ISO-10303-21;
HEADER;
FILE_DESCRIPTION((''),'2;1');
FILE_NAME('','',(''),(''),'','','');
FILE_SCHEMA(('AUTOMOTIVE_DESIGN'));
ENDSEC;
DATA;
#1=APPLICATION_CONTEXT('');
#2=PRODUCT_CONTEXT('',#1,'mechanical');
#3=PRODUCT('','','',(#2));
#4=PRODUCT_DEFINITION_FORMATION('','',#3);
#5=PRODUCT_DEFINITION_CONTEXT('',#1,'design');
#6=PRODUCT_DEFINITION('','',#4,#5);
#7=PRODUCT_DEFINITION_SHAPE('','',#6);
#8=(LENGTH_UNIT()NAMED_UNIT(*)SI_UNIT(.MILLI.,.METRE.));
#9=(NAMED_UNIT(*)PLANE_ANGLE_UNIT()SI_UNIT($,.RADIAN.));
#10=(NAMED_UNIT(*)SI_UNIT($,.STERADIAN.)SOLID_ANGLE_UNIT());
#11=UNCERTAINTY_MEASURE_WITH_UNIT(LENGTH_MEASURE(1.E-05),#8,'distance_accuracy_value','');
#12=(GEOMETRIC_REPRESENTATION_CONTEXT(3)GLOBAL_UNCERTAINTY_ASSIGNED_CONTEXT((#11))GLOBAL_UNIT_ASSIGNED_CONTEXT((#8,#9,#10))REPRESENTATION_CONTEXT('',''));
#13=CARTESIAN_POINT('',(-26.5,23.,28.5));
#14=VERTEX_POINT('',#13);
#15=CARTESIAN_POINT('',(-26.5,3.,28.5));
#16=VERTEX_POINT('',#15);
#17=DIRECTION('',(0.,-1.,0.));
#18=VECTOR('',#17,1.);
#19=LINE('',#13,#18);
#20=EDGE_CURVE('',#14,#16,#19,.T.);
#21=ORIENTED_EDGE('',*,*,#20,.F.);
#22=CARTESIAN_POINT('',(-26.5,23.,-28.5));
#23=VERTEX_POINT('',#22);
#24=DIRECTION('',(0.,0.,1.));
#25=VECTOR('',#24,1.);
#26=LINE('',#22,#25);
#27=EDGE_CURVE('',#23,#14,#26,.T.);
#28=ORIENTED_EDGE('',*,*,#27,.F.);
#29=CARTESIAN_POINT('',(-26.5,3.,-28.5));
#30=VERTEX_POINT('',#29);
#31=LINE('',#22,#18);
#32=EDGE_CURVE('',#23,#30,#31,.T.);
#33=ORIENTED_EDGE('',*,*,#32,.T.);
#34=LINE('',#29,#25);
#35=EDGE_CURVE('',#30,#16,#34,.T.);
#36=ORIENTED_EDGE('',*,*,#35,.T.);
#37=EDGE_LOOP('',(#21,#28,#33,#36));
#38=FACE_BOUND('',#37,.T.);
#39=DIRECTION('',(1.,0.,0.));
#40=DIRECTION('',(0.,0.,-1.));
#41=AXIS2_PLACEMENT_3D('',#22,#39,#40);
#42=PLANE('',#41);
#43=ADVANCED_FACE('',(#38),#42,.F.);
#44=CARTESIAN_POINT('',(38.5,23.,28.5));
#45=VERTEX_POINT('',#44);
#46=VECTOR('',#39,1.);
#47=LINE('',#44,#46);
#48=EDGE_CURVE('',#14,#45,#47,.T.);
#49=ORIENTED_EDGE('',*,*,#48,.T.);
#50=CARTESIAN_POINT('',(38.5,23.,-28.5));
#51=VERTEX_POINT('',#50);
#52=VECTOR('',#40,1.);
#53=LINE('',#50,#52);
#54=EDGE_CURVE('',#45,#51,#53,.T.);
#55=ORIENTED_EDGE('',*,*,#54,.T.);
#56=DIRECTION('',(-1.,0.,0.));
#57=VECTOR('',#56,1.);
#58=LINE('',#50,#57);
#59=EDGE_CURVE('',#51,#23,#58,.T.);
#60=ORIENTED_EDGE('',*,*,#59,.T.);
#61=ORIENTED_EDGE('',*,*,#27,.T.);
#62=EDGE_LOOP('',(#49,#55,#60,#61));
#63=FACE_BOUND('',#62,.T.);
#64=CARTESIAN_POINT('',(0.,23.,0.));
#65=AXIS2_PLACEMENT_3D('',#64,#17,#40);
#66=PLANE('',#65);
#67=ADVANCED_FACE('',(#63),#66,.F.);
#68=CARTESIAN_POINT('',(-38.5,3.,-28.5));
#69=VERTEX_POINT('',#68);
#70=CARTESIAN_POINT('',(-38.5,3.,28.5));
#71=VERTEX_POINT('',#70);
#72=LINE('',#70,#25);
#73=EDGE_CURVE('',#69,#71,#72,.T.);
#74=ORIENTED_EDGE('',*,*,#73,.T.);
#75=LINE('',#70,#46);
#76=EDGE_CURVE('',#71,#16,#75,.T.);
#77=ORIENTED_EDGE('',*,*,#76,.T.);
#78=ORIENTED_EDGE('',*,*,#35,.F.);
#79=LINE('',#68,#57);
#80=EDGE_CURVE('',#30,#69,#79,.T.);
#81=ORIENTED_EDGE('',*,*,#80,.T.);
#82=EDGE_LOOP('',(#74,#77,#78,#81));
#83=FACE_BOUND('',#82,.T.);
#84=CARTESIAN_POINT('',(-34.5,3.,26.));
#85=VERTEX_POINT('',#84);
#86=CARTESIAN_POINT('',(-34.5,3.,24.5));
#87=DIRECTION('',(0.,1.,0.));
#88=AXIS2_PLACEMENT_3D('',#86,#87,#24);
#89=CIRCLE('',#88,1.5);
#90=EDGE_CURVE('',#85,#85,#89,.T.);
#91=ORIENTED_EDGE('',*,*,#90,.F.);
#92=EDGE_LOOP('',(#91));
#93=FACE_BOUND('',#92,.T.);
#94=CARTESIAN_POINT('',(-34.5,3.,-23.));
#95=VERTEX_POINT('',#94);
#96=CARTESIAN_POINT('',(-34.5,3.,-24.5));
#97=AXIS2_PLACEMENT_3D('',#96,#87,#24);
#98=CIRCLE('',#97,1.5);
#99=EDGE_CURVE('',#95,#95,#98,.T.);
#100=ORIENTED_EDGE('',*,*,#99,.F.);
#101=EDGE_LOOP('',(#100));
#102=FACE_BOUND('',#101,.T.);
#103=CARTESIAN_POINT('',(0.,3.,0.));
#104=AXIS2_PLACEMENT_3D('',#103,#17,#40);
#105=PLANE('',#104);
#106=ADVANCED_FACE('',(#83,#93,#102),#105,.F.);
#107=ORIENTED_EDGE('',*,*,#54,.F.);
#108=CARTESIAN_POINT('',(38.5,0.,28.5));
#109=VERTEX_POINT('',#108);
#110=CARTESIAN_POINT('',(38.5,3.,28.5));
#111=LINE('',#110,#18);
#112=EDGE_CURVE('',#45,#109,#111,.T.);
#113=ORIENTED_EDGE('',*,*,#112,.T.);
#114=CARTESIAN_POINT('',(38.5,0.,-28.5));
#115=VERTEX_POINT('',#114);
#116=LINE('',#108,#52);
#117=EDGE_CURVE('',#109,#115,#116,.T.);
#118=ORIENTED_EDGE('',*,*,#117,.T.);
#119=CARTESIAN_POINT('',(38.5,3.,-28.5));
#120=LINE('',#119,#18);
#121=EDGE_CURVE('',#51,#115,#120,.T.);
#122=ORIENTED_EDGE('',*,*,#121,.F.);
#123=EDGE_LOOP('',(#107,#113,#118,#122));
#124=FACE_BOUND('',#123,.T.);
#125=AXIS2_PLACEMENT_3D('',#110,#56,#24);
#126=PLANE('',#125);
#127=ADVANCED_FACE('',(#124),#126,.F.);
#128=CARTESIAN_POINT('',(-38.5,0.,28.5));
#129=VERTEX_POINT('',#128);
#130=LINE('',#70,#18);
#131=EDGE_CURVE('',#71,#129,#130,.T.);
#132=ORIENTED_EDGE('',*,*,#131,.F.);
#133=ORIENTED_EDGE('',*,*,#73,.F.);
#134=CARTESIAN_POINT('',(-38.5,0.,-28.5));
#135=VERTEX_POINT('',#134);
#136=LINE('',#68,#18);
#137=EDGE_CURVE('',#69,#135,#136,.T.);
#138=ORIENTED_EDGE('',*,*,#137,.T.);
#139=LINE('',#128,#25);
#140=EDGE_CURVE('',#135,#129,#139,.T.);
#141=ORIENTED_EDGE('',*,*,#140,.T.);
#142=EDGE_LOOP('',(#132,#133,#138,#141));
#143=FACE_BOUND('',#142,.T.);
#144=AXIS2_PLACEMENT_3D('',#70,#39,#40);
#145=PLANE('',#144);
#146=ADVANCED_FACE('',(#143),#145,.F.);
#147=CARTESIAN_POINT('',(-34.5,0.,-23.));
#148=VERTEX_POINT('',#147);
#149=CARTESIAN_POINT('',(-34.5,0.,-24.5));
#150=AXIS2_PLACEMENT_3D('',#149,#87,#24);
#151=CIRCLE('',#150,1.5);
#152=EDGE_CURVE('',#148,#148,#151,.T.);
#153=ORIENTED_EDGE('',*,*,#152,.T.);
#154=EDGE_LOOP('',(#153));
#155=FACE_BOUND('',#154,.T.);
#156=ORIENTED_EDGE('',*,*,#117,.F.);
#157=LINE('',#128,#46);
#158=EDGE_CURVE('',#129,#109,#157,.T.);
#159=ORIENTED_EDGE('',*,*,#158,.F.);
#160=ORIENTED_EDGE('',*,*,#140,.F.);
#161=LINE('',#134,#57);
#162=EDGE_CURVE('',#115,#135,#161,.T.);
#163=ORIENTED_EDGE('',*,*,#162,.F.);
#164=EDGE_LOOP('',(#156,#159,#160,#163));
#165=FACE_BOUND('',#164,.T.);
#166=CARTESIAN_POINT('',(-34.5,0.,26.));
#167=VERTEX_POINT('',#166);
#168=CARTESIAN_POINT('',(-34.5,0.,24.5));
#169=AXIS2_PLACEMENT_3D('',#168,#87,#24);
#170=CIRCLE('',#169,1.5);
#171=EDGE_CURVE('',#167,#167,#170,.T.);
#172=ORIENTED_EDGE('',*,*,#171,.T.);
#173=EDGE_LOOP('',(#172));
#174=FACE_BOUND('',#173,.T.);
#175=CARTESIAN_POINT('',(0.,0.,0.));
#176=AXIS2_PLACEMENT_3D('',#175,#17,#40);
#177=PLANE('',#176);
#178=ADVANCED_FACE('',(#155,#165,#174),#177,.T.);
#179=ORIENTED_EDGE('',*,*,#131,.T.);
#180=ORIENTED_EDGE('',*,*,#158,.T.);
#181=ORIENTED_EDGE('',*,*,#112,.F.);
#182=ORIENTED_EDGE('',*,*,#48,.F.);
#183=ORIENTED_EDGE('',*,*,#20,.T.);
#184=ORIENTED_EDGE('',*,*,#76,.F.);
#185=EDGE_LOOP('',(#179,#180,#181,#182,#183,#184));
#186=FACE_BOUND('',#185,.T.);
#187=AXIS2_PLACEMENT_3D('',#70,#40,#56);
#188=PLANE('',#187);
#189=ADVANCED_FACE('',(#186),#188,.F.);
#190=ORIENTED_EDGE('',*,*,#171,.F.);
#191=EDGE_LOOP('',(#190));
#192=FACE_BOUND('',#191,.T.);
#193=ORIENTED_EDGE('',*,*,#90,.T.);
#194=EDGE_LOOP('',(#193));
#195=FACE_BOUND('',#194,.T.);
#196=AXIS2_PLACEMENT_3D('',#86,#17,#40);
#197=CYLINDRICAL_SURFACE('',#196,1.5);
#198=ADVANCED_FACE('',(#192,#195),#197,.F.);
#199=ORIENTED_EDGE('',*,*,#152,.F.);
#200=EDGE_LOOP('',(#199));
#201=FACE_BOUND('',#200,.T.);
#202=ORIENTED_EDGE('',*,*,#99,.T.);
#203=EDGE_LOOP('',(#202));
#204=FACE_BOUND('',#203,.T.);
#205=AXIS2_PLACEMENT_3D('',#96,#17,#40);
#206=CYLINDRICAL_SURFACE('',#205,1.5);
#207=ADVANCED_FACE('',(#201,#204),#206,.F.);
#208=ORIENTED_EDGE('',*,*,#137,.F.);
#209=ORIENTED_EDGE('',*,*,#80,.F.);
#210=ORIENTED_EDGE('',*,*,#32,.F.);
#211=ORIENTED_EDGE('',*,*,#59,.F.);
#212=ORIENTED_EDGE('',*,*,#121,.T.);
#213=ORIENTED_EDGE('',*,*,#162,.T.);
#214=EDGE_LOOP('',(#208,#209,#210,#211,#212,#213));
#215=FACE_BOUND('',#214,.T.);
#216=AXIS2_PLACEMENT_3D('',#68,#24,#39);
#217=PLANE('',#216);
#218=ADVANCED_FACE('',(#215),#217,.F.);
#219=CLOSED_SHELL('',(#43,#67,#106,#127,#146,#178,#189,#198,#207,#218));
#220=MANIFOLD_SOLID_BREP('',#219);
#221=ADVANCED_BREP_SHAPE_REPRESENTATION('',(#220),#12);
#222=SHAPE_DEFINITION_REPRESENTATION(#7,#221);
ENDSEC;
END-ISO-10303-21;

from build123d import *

# Parameters (mm, degrees)
SKETCH1_W           = 77
SKETCH1_H           = 57
SKETCH1_R           = 1.5
BOSS_EXTRUDE1_DEPTH = 3
SKETCH2_W           = 65
SKETCH2_H           = 57
BOSS_EXTRUDE2_DEPTH = 20


with BuildPart() as part:
    # Sketch1 → Boss-Extrude1 (new body)
    with BuildSketch(Plane(origin=(0, 0, 0), x_dir=(1, 0, 0), z_dir=(0, 1, 0))):
        Rectangle(SKETCH1_W, SKETCH1_H)
        with Locations(Location((-34.5, 24.5, 0), (0, 0, 270))):
            Circle(SKETCH1_R, mode=Mode.SUBTRACT)
        with Locations(Location((-34.5, -24.5, 0), (0, 0, 270))):
            Circle(SKETCH1_R, mode=Mode.SUBTRACT)
    extrude(amount=BOSS_EXTRUDE1_DEPTH)

    # Sketch2 → Boss-Extrude2 (add)
    with BuildSketch(Plane(origin=(0, 3, 0), x_dir=(1, 0, 0), z_dir=(0, 1, 0))):
        with Locations((6, 0)):
            Rectangle(SKETCH2_W, SKETCH2_H)
    extrude(amount=BOSS_EXTRUDE2_DEPTH)


solid = part.part
